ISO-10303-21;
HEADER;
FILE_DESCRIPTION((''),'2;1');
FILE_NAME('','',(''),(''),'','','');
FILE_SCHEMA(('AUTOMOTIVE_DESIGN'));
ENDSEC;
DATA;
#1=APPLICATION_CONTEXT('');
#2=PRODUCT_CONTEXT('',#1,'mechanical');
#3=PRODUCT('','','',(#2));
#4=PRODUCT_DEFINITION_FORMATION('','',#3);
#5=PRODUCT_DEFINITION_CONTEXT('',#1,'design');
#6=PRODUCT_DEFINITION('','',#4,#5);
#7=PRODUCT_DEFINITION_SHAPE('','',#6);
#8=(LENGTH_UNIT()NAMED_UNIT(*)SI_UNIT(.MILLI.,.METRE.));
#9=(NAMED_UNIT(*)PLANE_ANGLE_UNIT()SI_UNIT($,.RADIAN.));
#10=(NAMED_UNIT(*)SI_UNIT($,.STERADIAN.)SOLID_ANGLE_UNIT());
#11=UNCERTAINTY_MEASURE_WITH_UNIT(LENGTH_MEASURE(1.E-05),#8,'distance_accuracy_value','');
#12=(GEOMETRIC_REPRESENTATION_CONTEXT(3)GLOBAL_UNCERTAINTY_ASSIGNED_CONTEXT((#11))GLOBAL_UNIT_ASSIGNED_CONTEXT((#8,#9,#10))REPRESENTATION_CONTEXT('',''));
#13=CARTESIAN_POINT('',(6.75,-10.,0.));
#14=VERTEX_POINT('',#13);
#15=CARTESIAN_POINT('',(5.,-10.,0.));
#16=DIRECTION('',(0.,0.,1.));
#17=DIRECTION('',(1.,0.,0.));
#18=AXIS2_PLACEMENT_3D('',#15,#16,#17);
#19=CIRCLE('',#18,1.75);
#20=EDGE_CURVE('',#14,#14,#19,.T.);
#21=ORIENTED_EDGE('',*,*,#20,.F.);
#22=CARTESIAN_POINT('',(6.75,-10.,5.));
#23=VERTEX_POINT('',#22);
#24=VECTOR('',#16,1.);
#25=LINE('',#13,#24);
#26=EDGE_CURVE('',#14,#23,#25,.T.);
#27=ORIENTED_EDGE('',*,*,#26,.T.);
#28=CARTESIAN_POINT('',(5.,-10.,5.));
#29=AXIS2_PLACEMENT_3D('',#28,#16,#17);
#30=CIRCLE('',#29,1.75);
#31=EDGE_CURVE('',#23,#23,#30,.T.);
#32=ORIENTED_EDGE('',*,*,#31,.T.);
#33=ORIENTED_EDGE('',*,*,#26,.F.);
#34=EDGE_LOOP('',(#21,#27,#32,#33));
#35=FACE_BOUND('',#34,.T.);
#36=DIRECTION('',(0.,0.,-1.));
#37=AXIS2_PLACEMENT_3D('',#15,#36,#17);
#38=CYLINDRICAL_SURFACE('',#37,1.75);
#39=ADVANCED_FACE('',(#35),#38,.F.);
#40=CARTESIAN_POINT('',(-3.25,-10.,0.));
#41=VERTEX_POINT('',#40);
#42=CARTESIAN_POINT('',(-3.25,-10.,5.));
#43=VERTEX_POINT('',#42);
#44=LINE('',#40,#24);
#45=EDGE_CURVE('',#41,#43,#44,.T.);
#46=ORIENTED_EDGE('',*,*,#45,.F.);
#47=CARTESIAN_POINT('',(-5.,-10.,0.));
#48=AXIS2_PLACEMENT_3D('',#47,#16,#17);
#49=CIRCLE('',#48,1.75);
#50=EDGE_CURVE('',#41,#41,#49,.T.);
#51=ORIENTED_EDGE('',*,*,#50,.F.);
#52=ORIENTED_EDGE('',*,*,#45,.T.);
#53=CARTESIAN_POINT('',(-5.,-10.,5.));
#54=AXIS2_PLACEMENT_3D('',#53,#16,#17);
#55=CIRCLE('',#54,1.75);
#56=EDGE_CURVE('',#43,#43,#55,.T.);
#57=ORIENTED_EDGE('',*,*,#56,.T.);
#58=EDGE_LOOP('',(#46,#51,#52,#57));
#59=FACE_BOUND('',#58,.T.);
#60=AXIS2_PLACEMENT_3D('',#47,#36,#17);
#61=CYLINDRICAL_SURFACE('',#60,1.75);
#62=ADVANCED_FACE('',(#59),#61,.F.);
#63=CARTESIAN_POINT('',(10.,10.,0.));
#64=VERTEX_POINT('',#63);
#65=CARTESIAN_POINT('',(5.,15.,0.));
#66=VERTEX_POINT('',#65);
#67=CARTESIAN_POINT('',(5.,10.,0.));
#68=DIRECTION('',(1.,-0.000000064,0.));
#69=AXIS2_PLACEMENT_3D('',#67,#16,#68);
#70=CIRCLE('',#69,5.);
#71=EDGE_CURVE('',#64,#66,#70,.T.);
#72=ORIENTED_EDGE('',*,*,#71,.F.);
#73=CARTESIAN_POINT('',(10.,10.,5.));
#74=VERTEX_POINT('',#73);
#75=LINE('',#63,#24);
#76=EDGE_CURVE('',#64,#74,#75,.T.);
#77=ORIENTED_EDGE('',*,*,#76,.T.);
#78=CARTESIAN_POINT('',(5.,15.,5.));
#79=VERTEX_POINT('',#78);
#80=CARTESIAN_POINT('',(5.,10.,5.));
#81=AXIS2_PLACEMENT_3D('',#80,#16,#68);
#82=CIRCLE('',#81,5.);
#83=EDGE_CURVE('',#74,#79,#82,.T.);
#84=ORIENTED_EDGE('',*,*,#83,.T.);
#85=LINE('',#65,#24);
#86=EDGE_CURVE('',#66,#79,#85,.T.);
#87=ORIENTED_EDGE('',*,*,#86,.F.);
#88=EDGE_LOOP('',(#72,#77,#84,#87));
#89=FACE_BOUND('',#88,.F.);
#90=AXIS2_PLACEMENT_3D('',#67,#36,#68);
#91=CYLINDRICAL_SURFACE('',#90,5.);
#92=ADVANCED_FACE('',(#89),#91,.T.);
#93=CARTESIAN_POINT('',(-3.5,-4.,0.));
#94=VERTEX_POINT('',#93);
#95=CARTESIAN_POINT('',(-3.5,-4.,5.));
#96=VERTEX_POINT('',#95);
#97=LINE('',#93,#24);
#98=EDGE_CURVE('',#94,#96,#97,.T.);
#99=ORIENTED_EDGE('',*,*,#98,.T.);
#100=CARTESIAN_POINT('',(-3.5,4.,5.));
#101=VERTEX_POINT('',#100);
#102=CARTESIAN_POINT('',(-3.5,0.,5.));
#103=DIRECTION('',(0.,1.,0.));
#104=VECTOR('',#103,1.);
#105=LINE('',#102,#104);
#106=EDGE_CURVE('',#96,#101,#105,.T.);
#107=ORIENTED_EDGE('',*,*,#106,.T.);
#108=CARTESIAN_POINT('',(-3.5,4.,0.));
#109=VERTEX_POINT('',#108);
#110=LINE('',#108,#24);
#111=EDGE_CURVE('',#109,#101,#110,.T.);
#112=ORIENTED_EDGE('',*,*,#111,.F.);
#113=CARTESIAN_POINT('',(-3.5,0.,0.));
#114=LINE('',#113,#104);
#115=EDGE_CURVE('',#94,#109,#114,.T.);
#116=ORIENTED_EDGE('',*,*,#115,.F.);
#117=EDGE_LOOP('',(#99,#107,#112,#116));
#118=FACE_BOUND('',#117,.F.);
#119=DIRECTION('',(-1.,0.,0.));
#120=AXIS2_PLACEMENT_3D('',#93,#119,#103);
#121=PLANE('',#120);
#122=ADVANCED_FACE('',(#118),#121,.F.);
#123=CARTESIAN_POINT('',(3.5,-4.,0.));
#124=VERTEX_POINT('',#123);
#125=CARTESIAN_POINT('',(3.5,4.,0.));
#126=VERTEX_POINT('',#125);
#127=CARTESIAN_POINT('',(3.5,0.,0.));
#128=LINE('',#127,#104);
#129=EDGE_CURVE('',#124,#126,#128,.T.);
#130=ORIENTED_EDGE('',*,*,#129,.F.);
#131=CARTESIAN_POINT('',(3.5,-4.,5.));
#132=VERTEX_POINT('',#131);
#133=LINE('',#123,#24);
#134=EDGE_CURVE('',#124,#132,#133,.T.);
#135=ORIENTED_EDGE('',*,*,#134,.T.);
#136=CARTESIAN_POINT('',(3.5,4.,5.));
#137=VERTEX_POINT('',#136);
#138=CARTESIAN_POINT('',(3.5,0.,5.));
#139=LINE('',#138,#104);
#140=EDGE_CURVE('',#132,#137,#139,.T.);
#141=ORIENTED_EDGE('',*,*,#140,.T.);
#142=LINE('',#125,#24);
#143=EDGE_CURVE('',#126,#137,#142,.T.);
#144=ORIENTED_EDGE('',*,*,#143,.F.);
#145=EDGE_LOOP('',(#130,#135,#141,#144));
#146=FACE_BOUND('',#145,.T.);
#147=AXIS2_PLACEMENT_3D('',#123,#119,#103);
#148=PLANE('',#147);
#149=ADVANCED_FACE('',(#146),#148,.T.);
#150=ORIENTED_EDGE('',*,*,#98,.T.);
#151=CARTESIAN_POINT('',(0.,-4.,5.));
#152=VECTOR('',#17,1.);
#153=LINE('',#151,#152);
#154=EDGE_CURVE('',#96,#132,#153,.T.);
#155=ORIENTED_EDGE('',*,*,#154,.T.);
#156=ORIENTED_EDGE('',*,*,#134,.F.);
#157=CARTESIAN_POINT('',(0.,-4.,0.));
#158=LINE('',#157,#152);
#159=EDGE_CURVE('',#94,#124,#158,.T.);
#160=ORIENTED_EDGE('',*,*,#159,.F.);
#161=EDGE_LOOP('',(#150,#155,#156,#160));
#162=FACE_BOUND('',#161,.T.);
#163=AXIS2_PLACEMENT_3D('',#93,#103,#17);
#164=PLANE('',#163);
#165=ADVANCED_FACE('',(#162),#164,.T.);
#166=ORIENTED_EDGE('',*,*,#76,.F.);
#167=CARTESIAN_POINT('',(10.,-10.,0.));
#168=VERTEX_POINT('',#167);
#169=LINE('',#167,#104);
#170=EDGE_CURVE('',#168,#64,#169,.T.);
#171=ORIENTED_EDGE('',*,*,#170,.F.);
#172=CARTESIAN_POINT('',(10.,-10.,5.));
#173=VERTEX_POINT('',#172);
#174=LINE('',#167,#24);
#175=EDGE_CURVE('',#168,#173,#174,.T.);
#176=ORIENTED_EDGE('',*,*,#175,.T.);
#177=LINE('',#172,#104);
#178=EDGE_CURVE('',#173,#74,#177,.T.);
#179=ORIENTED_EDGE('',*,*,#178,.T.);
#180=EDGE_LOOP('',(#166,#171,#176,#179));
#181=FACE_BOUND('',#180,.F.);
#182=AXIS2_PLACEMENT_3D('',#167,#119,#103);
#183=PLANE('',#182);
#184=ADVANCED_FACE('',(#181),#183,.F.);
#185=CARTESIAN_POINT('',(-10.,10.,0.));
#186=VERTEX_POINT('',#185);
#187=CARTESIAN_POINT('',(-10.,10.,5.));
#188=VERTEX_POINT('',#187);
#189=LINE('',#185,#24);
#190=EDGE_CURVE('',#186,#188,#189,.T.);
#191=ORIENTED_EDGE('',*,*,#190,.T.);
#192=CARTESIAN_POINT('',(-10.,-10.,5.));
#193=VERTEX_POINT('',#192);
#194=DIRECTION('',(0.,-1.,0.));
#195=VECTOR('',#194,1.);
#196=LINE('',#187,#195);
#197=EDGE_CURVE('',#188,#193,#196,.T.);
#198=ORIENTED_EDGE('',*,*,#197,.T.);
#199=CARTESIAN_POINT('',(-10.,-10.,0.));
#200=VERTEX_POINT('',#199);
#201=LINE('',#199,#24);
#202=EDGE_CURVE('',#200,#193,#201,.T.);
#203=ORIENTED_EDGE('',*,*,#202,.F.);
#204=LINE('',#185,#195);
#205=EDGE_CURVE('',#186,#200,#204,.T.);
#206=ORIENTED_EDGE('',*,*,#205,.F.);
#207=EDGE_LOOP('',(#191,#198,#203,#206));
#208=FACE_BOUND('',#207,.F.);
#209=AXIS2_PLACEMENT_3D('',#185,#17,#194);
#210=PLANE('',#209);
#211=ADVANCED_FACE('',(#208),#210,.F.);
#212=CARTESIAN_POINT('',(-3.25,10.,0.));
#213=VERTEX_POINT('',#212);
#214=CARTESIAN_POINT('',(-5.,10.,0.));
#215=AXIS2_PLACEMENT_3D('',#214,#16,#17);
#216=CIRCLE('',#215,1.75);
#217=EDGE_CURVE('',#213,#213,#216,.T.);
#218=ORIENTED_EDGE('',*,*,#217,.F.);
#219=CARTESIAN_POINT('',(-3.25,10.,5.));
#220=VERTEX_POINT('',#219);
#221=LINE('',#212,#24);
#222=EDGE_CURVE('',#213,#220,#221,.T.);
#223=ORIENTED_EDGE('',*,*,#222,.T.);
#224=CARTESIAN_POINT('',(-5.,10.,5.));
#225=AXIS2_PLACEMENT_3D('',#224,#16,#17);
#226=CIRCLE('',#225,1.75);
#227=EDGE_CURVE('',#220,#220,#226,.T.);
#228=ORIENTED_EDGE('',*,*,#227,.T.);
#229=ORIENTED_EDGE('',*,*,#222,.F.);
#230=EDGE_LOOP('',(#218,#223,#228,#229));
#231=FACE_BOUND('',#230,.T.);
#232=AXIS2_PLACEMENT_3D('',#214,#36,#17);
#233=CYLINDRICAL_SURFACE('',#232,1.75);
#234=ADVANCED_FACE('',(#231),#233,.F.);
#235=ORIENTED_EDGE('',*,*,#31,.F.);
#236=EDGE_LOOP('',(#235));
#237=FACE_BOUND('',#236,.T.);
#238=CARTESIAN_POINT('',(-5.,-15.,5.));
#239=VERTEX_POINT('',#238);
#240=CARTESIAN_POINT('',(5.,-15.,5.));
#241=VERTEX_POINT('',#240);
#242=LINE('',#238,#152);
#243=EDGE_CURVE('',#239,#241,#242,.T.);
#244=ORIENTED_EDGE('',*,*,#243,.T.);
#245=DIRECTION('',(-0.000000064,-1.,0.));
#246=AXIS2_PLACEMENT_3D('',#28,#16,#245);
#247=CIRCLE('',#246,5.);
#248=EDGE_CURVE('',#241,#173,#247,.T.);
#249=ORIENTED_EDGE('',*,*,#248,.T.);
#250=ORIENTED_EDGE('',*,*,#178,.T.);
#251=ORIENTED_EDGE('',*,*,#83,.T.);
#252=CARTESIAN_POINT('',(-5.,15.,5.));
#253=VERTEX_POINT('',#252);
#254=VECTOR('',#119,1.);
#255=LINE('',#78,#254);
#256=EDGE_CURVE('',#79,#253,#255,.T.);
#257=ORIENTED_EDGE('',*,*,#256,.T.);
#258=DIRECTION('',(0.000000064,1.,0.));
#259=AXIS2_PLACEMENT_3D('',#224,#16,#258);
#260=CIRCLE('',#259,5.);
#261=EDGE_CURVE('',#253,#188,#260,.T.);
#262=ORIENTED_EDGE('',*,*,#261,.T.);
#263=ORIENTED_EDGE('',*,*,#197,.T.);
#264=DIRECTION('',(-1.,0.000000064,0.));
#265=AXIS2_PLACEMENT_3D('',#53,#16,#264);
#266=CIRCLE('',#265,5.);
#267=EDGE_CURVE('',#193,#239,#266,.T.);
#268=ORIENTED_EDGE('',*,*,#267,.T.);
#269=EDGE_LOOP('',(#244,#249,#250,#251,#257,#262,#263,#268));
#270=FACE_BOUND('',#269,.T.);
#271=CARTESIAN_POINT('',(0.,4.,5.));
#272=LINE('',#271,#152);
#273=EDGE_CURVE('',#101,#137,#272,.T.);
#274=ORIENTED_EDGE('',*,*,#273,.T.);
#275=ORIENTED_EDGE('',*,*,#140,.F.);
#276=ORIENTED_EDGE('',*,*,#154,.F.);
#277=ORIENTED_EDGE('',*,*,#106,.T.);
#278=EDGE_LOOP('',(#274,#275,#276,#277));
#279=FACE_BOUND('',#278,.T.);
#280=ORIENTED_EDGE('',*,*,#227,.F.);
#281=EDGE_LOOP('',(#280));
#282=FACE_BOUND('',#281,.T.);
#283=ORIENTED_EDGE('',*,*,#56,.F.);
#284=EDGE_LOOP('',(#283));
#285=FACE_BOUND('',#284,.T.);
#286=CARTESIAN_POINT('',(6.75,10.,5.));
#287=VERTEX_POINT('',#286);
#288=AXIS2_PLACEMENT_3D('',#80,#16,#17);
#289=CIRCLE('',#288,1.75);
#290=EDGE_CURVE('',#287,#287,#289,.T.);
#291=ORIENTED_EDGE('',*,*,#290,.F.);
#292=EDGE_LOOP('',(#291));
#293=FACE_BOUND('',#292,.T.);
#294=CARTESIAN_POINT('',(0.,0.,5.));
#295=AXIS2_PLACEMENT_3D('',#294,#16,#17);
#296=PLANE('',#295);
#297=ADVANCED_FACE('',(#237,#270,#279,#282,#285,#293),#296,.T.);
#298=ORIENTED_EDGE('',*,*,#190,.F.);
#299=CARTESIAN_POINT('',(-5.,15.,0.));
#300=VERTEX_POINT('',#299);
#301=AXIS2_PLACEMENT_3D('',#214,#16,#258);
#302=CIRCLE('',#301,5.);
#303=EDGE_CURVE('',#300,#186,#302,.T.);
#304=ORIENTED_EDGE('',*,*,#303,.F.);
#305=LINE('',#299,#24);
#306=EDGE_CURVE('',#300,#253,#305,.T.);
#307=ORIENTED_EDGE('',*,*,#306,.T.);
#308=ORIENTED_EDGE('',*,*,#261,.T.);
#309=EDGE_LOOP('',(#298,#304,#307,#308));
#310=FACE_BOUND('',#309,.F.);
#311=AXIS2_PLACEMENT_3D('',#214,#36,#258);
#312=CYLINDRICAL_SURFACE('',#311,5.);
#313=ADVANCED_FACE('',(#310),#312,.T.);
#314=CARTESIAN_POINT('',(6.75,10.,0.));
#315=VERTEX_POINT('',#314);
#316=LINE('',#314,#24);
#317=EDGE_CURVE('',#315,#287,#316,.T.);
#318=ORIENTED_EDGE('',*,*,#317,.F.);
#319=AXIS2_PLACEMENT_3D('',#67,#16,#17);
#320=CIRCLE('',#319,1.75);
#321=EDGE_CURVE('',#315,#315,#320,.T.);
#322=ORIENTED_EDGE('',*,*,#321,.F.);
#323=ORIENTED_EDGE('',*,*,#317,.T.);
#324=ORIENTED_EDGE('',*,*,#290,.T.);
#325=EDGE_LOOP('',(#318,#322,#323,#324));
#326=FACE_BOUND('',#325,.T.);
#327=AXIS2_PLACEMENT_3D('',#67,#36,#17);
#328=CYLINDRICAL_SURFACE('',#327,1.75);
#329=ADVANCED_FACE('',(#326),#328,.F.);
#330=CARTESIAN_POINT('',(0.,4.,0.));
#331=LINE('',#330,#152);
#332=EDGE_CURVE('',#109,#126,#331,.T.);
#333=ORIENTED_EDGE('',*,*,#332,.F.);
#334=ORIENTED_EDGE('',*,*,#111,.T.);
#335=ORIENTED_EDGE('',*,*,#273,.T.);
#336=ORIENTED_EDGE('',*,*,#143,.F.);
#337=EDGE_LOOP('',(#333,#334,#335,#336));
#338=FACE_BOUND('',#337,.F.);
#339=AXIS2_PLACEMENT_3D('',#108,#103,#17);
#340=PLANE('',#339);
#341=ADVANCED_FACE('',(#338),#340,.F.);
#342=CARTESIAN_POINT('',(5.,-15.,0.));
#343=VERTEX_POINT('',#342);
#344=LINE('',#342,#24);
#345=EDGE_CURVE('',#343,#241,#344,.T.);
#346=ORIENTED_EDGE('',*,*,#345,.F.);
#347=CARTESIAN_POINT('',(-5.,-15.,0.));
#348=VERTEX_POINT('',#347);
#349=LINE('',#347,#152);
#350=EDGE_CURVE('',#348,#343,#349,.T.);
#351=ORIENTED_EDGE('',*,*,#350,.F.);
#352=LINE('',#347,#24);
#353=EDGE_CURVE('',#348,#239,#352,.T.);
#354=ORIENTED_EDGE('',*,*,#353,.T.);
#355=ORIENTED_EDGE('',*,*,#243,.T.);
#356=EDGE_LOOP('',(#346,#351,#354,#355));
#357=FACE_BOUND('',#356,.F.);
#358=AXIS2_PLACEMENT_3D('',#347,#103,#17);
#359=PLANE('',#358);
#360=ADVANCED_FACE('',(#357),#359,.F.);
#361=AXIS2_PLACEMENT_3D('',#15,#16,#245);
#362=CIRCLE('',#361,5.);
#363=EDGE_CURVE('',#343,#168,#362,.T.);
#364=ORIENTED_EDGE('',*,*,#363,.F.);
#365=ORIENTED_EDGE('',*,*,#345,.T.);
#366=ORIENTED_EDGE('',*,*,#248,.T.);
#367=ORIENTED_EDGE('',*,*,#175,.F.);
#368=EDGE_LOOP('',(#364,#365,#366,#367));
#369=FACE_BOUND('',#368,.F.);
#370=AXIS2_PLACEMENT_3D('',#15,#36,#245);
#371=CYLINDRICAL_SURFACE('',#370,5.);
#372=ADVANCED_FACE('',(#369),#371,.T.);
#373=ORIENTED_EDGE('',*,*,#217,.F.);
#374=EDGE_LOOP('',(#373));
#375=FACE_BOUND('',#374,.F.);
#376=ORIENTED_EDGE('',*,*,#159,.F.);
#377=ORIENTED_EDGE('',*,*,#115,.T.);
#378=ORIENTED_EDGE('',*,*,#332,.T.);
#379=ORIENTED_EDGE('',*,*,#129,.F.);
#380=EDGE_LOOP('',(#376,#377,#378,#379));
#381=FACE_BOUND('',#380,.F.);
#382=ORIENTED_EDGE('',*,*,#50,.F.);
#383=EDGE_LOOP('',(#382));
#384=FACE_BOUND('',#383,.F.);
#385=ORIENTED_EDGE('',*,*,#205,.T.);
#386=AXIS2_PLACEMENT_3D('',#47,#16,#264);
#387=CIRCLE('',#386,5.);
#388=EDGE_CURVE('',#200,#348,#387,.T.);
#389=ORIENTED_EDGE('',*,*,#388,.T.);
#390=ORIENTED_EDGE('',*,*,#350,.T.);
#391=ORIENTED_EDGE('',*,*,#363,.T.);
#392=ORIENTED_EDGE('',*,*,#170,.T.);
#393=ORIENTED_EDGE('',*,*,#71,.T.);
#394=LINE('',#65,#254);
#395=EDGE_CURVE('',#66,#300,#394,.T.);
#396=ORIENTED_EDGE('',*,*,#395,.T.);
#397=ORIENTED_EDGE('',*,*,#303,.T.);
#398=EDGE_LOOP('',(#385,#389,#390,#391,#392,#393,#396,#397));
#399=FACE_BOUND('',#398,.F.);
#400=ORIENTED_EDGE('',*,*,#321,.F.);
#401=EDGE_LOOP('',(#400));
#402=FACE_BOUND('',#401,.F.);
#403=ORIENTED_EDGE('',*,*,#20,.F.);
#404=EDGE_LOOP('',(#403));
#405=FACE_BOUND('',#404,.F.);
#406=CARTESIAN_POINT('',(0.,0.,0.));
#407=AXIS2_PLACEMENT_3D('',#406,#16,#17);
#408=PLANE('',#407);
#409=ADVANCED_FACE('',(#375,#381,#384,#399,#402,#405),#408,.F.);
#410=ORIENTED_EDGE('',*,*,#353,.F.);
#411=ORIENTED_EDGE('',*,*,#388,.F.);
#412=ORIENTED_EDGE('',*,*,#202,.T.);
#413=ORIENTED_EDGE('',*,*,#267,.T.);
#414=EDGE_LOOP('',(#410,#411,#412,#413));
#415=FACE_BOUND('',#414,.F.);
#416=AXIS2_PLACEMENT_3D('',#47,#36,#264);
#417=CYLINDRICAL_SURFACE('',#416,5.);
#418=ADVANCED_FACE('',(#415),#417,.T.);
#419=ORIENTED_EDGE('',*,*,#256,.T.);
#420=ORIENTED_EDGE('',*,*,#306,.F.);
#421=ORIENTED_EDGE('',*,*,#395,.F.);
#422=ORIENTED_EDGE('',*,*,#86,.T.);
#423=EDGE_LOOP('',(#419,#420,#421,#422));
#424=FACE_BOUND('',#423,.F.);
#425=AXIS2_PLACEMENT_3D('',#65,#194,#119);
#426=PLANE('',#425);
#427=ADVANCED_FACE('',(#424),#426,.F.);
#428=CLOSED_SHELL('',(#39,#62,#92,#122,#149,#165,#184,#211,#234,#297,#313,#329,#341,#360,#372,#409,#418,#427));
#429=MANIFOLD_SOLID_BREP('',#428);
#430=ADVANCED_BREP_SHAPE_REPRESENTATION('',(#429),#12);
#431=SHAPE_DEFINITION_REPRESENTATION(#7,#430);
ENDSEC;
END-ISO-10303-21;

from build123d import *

# Parameters (mm, degrees)
F0_R     = 1.75
F0_W     = 7
F0_H     = 8
F1_DEPTH = 5


with BuildPart() as f1:
    # F0 (on Top) → F1 (new body)
    with BuildSketch(Plane.XY):
        with BuildLine():
            ThreePointArc((-5, 15), (-8.535534, 13.535534), (-10, 10))
            Line((-10, 10), (-10, -10))
            ThreePointArc((-10, -10), (-8.535534, -13.535534), (-5, -15))
            Line((-5, -15), (5, -15))
            ThreePointArc((5, -15), (8.535534, -13.535534), (10, -10))
            Line((10, -10), (10, 10))
            ThreePointArc((10, 10), (8.535534, 13.535534), (5, 15))
            Line((5, 15), (-5, 15))
        make_face()
        with Locations((-5, -10)):
            Circle(F0_R, mode=Mode.SUBTRACT)
        with Locations((5, -10)):
            Circle(F0_R, mode=Mode.SUBTRACT)
        with Locations((-5, 10)):
            Circle(F0_R, mode=Mode.SUBTRACT)
        Rectangle(F0_W, F0_H, mode=Mode.SUBTRACT)
        with Locations((5, 10)):
            Circle(F0_R, mode=Mode.SUBTRACT)
    extrude(amount=F1_DEPTH)


solid = f1.part
